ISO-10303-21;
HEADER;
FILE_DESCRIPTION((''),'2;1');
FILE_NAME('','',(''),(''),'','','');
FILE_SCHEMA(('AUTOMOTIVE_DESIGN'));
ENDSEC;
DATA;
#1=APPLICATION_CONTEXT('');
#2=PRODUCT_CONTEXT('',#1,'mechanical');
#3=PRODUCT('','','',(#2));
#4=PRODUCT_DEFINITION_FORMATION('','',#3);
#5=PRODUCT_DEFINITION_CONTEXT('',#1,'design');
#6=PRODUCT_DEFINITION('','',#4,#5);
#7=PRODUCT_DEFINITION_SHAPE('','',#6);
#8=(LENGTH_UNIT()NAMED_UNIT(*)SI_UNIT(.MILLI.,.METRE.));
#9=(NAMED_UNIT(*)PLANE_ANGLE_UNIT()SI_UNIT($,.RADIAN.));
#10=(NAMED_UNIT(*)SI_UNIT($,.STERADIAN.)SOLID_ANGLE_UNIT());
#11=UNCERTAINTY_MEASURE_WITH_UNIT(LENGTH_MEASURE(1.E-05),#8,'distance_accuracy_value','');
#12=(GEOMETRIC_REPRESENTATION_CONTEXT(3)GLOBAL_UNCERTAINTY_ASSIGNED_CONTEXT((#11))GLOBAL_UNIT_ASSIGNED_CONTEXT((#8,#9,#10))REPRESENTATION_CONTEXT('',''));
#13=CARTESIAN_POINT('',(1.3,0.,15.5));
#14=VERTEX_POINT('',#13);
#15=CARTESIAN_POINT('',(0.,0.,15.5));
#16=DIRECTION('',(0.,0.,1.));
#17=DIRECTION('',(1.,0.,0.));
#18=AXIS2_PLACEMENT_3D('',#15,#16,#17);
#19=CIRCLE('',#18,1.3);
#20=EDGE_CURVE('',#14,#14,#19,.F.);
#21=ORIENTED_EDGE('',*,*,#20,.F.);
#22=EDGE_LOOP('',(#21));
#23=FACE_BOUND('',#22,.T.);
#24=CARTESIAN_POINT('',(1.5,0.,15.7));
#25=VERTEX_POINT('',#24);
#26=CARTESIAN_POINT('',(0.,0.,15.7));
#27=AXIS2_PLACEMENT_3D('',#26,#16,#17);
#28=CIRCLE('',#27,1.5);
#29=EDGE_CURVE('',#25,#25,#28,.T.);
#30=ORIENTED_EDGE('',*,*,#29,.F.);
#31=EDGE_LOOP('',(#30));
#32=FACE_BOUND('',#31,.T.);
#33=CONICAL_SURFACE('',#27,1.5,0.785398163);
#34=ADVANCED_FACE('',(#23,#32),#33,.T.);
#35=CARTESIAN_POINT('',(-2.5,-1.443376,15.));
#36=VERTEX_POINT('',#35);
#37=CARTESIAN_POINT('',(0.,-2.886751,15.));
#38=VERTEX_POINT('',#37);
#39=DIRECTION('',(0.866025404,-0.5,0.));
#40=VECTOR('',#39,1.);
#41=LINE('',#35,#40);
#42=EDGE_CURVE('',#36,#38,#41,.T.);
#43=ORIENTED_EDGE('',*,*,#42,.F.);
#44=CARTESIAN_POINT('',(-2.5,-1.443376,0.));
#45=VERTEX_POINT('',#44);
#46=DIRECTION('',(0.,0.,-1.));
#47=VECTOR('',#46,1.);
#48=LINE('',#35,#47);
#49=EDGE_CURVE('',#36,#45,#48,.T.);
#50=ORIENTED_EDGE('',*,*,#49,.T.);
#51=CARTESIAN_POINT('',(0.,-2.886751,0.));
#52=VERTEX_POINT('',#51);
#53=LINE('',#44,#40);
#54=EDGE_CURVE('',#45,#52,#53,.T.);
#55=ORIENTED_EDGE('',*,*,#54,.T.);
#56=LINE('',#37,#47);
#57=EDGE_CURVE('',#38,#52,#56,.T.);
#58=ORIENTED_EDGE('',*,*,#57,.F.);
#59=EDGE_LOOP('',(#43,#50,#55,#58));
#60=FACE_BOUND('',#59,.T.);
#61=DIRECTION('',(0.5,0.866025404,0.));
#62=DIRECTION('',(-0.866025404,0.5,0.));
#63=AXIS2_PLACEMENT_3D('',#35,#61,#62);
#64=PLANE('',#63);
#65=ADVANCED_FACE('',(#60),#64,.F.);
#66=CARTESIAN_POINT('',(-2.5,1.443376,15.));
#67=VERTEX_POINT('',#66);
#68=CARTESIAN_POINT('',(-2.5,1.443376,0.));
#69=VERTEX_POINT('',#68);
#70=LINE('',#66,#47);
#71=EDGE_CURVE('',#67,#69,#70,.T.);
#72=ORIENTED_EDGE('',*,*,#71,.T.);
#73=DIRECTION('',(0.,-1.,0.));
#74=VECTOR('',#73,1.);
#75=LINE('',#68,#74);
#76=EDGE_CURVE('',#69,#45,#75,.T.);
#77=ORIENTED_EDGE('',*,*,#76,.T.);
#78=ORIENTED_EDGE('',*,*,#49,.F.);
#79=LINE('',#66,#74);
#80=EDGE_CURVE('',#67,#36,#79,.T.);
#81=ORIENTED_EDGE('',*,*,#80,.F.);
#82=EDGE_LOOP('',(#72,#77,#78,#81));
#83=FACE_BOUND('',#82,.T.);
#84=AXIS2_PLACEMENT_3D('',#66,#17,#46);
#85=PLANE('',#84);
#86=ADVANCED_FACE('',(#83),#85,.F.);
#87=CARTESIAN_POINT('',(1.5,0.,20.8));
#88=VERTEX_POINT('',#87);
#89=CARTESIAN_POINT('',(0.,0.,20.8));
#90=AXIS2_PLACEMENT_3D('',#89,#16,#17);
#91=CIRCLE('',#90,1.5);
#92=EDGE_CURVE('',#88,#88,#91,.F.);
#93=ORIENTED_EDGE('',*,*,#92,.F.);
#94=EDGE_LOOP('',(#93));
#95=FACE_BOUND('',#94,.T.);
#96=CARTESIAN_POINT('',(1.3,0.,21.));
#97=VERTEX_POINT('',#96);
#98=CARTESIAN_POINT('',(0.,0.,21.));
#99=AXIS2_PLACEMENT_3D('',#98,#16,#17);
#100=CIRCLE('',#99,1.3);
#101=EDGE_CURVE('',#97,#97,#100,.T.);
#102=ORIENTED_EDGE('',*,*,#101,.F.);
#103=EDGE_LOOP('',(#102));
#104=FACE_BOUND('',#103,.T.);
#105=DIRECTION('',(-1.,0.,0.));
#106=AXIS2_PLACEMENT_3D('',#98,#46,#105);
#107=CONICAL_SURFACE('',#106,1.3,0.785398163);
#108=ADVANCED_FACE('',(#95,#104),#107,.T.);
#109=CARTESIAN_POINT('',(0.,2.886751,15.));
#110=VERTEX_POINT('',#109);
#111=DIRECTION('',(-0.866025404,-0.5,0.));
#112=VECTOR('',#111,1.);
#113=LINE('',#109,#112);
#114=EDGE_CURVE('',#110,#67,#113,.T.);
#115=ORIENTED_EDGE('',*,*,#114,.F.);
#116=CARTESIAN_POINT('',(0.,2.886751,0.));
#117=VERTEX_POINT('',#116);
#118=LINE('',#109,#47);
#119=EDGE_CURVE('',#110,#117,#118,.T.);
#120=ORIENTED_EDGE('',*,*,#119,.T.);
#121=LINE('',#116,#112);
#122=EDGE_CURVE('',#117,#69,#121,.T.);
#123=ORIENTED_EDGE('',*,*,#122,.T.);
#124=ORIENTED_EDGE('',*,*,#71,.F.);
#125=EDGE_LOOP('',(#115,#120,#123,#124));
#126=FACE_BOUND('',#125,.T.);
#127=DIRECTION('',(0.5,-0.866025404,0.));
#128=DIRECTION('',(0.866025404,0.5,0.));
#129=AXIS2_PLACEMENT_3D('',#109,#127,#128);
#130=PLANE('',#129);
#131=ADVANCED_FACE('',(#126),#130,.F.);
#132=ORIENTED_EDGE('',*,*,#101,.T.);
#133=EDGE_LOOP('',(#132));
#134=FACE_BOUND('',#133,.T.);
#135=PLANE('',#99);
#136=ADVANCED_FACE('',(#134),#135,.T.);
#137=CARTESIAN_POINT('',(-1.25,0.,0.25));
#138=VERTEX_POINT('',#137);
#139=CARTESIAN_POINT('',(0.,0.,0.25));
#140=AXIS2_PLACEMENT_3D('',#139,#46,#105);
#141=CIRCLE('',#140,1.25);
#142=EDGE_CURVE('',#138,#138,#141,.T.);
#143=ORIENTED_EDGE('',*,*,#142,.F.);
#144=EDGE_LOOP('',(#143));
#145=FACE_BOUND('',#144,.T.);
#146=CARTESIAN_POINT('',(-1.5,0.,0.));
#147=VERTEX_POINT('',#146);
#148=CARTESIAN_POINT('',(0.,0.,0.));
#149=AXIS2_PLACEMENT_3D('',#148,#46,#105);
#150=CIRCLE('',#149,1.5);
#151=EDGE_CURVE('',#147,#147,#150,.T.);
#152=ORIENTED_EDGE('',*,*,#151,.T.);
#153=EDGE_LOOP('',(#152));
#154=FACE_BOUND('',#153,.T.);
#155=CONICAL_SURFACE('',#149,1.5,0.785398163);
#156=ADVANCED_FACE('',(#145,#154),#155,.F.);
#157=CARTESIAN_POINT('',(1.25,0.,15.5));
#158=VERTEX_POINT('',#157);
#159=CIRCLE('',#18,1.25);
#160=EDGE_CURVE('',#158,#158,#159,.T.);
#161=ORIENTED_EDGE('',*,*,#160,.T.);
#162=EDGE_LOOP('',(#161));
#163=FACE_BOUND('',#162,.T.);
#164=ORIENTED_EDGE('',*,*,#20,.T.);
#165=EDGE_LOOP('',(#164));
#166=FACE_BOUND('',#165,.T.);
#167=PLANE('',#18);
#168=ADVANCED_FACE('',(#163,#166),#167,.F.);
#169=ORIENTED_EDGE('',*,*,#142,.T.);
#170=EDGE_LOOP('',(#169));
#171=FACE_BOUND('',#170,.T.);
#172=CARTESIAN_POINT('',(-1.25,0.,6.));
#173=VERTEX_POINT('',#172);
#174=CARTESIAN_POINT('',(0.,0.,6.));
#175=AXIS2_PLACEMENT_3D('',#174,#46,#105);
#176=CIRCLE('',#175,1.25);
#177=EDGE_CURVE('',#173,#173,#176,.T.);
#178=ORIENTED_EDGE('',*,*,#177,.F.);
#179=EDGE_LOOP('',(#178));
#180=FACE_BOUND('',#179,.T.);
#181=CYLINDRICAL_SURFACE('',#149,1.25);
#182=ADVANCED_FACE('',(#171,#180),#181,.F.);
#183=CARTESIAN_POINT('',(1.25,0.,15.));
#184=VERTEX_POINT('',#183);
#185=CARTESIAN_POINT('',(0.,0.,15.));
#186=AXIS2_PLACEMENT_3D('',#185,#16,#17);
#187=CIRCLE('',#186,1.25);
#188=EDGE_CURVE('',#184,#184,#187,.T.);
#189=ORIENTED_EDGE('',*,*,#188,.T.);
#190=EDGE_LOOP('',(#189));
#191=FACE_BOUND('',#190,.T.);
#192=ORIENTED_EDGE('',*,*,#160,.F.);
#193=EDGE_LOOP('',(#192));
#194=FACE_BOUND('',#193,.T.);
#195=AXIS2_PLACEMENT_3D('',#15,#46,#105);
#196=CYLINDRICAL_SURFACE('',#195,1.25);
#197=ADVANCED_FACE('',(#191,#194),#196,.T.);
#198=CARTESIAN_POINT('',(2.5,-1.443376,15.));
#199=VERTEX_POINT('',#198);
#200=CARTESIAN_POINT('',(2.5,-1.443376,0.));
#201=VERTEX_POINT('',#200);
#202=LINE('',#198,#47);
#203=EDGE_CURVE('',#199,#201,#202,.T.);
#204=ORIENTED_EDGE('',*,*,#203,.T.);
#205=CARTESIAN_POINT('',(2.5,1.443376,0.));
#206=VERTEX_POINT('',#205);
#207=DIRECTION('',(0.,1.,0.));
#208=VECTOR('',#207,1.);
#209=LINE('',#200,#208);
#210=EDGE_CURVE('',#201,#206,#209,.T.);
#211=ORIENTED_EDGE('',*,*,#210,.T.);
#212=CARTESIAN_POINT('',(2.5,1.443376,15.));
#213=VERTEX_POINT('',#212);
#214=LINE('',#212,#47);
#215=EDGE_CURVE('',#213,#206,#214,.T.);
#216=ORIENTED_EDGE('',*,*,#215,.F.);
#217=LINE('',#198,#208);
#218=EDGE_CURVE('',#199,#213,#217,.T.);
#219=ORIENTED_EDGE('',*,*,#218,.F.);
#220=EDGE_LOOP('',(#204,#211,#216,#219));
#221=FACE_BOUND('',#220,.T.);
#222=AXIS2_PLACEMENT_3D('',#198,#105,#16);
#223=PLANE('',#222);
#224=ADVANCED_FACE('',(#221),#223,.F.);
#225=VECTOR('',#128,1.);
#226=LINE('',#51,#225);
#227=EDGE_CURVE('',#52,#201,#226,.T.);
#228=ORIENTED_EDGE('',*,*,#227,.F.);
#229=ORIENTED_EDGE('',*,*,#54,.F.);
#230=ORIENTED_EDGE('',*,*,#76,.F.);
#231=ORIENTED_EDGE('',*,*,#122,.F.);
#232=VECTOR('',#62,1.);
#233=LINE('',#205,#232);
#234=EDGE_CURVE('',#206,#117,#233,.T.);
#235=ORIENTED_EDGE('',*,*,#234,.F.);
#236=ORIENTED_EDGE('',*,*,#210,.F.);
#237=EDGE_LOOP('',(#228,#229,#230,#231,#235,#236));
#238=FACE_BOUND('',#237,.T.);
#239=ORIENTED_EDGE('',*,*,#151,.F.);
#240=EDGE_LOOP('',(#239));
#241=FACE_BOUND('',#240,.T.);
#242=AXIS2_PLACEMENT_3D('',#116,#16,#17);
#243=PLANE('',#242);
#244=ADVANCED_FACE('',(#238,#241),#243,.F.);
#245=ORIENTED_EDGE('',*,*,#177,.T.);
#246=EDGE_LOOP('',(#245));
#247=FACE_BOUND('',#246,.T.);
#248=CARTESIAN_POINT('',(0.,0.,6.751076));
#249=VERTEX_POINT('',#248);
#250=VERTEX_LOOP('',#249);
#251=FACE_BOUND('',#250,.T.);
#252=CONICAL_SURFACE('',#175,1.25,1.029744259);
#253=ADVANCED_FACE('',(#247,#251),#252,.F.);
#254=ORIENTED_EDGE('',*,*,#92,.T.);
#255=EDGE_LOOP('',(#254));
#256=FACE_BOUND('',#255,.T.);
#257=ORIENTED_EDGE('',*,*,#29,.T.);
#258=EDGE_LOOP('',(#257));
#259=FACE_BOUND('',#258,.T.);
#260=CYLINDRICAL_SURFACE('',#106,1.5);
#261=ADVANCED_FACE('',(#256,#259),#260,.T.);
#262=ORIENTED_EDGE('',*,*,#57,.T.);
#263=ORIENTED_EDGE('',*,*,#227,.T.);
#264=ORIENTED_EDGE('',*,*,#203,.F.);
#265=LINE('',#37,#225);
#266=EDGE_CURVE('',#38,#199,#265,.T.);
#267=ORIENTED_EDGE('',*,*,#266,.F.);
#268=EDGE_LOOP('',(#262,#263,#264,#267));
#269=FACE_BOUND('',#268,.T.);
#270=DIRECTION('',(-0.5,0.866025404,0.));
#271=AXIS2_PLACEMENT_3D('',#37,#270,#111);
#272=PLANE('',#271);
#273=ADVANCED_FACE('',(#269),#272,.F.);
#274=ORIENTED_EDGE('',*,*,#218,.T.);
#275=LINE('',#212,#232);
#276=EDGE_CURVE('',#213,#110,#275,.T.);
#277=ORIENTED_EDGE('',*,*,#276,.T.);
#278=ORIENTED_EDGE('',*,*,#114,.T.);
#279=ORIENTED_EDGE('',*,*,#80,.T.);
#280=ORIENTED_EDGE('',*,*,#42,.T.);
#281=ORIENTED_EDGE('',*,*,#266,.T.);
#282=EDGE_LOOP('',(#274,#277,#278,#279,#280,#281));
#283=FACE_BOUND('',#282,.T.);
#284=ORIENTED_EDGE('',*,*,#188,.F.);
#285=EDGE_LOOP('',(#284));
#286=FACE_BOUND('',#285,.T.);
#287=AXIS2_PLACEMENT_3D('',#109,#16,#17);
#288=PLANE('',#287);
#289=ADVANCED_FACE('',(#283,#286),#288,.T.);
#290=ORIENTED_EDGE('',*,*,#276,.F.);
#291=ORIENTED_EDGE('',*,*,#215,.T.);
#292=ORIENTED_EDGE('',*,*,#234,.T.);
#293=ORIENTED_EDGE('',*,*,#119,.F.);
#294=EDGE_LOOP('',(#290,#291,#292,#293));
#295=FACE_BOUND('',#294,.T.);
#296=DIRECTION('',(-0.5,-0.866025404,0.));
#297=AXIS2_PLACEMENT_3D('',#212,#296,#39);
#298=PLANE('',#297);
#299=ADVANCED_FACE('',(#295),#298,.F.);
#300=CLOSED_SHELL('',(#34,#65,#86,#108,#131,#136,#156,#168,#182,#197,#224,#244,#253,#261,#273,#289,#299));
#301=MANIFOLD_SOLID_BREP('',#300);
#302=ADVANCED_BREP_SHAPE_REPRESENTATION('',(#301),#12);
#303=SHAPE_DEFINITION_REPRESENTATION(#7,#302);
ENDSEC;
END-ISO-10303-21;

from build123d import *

# Parameters (mm, degrees)
EXTRUDE_1_DEPTH                = 15
SKETCH_2_R                     = 1.5
EXTRUDE_2_DEPTH                = 6
SKETCH_3_R                     = 1.5
SKETCH_3_R_2                   = 1.25
CUT_EXTRUDE_3_DEPTH            = 0.5
CHAMFER_1_SIZE                 = 0.2
M4_CLEARANCE_HOLE1_D           = 2.5
M4_CLEARANCE_HOLE1_DEPTH       = 6
M4_CLEARANCE_HOLE1_CSINK_D     = 3
M4_CLEARANCE_HOLE1_CSINK_ANGLE = 90
M4_CLEARANCE_HOLE1_TIP         = 0.751075774


with BuildPart() as part:
    # Эскиз1 → Вытянуть1 (new body)
    with BuildSketch(Plane.XY):
        Polygon((0, 2.886751346), (-2.5, 1.443375673), (-2.5, -1.443375673), (0, -2.886751346), (2.5, -1.443375673), (2.5, 1.443375673), align=None)
    extrude(amount=EXTRUDE_1_DEPTH)

    # Эскиз2 → Вытянуть2 (add)
    with BuildSketch(Plane.XY.offset(15)):
        Circle(SKETCH_2_R)
    extrude(amount=EXTRUDE_2_DEPTH)

    # Эскиз3 → Вырез-Вытянуть3 (cut)
    with BuildSketch(Plane.XY.offset(15)):
        Circle(SKETCH_3_R)
        Circle(SKETCH_3_R_2, mode=Mode.SUBTRACT)
    extrude(amount=CUT_EXTRUDE_3_DEPTH, mode=Mode.SUBTRACT)

    # Фаска1
    chamfer_1_edges = [part.edges().sort_by_distance(p)[0] for p in [
        (-1.5, 0, 21),
        (-1.5, 0, 15.5),
    ]]
    chamfer(chamfer_1_edges, length=CHAMFER_1_SIZE)

    # M4 Clearance Hole1
    with Locations(Plane(origin=(0, 0, 0), x_dir=(-1, 0, 0), z_dir=(0, 0, -1))):
        with Locations((0, 0)):
            CounterSinkHole(M4_CLEARANCE_HOLE1_D / 2, M4_CLEARANCE_HOLE1_CSINK_D / 2, depth=M4_CLEARANCE_HOLE1_DEPTH, counter_sink_angle=M4_CLEARANCE_HOLE1_CSINK_ANGLE)
            with Locations((0, 0, -(M4_CLEARANCE_HOLE1_DEPTH + M4_CLEARANCE_HOLE1_TIP / 2))):  # 118° drill point
                Cone(0, M4_CLEARANCE_HOLE1_D / 2, M4_CLEARANCE_HOLE1_TIP, mode=Mode.SUBTRACT)


solid = part.part
